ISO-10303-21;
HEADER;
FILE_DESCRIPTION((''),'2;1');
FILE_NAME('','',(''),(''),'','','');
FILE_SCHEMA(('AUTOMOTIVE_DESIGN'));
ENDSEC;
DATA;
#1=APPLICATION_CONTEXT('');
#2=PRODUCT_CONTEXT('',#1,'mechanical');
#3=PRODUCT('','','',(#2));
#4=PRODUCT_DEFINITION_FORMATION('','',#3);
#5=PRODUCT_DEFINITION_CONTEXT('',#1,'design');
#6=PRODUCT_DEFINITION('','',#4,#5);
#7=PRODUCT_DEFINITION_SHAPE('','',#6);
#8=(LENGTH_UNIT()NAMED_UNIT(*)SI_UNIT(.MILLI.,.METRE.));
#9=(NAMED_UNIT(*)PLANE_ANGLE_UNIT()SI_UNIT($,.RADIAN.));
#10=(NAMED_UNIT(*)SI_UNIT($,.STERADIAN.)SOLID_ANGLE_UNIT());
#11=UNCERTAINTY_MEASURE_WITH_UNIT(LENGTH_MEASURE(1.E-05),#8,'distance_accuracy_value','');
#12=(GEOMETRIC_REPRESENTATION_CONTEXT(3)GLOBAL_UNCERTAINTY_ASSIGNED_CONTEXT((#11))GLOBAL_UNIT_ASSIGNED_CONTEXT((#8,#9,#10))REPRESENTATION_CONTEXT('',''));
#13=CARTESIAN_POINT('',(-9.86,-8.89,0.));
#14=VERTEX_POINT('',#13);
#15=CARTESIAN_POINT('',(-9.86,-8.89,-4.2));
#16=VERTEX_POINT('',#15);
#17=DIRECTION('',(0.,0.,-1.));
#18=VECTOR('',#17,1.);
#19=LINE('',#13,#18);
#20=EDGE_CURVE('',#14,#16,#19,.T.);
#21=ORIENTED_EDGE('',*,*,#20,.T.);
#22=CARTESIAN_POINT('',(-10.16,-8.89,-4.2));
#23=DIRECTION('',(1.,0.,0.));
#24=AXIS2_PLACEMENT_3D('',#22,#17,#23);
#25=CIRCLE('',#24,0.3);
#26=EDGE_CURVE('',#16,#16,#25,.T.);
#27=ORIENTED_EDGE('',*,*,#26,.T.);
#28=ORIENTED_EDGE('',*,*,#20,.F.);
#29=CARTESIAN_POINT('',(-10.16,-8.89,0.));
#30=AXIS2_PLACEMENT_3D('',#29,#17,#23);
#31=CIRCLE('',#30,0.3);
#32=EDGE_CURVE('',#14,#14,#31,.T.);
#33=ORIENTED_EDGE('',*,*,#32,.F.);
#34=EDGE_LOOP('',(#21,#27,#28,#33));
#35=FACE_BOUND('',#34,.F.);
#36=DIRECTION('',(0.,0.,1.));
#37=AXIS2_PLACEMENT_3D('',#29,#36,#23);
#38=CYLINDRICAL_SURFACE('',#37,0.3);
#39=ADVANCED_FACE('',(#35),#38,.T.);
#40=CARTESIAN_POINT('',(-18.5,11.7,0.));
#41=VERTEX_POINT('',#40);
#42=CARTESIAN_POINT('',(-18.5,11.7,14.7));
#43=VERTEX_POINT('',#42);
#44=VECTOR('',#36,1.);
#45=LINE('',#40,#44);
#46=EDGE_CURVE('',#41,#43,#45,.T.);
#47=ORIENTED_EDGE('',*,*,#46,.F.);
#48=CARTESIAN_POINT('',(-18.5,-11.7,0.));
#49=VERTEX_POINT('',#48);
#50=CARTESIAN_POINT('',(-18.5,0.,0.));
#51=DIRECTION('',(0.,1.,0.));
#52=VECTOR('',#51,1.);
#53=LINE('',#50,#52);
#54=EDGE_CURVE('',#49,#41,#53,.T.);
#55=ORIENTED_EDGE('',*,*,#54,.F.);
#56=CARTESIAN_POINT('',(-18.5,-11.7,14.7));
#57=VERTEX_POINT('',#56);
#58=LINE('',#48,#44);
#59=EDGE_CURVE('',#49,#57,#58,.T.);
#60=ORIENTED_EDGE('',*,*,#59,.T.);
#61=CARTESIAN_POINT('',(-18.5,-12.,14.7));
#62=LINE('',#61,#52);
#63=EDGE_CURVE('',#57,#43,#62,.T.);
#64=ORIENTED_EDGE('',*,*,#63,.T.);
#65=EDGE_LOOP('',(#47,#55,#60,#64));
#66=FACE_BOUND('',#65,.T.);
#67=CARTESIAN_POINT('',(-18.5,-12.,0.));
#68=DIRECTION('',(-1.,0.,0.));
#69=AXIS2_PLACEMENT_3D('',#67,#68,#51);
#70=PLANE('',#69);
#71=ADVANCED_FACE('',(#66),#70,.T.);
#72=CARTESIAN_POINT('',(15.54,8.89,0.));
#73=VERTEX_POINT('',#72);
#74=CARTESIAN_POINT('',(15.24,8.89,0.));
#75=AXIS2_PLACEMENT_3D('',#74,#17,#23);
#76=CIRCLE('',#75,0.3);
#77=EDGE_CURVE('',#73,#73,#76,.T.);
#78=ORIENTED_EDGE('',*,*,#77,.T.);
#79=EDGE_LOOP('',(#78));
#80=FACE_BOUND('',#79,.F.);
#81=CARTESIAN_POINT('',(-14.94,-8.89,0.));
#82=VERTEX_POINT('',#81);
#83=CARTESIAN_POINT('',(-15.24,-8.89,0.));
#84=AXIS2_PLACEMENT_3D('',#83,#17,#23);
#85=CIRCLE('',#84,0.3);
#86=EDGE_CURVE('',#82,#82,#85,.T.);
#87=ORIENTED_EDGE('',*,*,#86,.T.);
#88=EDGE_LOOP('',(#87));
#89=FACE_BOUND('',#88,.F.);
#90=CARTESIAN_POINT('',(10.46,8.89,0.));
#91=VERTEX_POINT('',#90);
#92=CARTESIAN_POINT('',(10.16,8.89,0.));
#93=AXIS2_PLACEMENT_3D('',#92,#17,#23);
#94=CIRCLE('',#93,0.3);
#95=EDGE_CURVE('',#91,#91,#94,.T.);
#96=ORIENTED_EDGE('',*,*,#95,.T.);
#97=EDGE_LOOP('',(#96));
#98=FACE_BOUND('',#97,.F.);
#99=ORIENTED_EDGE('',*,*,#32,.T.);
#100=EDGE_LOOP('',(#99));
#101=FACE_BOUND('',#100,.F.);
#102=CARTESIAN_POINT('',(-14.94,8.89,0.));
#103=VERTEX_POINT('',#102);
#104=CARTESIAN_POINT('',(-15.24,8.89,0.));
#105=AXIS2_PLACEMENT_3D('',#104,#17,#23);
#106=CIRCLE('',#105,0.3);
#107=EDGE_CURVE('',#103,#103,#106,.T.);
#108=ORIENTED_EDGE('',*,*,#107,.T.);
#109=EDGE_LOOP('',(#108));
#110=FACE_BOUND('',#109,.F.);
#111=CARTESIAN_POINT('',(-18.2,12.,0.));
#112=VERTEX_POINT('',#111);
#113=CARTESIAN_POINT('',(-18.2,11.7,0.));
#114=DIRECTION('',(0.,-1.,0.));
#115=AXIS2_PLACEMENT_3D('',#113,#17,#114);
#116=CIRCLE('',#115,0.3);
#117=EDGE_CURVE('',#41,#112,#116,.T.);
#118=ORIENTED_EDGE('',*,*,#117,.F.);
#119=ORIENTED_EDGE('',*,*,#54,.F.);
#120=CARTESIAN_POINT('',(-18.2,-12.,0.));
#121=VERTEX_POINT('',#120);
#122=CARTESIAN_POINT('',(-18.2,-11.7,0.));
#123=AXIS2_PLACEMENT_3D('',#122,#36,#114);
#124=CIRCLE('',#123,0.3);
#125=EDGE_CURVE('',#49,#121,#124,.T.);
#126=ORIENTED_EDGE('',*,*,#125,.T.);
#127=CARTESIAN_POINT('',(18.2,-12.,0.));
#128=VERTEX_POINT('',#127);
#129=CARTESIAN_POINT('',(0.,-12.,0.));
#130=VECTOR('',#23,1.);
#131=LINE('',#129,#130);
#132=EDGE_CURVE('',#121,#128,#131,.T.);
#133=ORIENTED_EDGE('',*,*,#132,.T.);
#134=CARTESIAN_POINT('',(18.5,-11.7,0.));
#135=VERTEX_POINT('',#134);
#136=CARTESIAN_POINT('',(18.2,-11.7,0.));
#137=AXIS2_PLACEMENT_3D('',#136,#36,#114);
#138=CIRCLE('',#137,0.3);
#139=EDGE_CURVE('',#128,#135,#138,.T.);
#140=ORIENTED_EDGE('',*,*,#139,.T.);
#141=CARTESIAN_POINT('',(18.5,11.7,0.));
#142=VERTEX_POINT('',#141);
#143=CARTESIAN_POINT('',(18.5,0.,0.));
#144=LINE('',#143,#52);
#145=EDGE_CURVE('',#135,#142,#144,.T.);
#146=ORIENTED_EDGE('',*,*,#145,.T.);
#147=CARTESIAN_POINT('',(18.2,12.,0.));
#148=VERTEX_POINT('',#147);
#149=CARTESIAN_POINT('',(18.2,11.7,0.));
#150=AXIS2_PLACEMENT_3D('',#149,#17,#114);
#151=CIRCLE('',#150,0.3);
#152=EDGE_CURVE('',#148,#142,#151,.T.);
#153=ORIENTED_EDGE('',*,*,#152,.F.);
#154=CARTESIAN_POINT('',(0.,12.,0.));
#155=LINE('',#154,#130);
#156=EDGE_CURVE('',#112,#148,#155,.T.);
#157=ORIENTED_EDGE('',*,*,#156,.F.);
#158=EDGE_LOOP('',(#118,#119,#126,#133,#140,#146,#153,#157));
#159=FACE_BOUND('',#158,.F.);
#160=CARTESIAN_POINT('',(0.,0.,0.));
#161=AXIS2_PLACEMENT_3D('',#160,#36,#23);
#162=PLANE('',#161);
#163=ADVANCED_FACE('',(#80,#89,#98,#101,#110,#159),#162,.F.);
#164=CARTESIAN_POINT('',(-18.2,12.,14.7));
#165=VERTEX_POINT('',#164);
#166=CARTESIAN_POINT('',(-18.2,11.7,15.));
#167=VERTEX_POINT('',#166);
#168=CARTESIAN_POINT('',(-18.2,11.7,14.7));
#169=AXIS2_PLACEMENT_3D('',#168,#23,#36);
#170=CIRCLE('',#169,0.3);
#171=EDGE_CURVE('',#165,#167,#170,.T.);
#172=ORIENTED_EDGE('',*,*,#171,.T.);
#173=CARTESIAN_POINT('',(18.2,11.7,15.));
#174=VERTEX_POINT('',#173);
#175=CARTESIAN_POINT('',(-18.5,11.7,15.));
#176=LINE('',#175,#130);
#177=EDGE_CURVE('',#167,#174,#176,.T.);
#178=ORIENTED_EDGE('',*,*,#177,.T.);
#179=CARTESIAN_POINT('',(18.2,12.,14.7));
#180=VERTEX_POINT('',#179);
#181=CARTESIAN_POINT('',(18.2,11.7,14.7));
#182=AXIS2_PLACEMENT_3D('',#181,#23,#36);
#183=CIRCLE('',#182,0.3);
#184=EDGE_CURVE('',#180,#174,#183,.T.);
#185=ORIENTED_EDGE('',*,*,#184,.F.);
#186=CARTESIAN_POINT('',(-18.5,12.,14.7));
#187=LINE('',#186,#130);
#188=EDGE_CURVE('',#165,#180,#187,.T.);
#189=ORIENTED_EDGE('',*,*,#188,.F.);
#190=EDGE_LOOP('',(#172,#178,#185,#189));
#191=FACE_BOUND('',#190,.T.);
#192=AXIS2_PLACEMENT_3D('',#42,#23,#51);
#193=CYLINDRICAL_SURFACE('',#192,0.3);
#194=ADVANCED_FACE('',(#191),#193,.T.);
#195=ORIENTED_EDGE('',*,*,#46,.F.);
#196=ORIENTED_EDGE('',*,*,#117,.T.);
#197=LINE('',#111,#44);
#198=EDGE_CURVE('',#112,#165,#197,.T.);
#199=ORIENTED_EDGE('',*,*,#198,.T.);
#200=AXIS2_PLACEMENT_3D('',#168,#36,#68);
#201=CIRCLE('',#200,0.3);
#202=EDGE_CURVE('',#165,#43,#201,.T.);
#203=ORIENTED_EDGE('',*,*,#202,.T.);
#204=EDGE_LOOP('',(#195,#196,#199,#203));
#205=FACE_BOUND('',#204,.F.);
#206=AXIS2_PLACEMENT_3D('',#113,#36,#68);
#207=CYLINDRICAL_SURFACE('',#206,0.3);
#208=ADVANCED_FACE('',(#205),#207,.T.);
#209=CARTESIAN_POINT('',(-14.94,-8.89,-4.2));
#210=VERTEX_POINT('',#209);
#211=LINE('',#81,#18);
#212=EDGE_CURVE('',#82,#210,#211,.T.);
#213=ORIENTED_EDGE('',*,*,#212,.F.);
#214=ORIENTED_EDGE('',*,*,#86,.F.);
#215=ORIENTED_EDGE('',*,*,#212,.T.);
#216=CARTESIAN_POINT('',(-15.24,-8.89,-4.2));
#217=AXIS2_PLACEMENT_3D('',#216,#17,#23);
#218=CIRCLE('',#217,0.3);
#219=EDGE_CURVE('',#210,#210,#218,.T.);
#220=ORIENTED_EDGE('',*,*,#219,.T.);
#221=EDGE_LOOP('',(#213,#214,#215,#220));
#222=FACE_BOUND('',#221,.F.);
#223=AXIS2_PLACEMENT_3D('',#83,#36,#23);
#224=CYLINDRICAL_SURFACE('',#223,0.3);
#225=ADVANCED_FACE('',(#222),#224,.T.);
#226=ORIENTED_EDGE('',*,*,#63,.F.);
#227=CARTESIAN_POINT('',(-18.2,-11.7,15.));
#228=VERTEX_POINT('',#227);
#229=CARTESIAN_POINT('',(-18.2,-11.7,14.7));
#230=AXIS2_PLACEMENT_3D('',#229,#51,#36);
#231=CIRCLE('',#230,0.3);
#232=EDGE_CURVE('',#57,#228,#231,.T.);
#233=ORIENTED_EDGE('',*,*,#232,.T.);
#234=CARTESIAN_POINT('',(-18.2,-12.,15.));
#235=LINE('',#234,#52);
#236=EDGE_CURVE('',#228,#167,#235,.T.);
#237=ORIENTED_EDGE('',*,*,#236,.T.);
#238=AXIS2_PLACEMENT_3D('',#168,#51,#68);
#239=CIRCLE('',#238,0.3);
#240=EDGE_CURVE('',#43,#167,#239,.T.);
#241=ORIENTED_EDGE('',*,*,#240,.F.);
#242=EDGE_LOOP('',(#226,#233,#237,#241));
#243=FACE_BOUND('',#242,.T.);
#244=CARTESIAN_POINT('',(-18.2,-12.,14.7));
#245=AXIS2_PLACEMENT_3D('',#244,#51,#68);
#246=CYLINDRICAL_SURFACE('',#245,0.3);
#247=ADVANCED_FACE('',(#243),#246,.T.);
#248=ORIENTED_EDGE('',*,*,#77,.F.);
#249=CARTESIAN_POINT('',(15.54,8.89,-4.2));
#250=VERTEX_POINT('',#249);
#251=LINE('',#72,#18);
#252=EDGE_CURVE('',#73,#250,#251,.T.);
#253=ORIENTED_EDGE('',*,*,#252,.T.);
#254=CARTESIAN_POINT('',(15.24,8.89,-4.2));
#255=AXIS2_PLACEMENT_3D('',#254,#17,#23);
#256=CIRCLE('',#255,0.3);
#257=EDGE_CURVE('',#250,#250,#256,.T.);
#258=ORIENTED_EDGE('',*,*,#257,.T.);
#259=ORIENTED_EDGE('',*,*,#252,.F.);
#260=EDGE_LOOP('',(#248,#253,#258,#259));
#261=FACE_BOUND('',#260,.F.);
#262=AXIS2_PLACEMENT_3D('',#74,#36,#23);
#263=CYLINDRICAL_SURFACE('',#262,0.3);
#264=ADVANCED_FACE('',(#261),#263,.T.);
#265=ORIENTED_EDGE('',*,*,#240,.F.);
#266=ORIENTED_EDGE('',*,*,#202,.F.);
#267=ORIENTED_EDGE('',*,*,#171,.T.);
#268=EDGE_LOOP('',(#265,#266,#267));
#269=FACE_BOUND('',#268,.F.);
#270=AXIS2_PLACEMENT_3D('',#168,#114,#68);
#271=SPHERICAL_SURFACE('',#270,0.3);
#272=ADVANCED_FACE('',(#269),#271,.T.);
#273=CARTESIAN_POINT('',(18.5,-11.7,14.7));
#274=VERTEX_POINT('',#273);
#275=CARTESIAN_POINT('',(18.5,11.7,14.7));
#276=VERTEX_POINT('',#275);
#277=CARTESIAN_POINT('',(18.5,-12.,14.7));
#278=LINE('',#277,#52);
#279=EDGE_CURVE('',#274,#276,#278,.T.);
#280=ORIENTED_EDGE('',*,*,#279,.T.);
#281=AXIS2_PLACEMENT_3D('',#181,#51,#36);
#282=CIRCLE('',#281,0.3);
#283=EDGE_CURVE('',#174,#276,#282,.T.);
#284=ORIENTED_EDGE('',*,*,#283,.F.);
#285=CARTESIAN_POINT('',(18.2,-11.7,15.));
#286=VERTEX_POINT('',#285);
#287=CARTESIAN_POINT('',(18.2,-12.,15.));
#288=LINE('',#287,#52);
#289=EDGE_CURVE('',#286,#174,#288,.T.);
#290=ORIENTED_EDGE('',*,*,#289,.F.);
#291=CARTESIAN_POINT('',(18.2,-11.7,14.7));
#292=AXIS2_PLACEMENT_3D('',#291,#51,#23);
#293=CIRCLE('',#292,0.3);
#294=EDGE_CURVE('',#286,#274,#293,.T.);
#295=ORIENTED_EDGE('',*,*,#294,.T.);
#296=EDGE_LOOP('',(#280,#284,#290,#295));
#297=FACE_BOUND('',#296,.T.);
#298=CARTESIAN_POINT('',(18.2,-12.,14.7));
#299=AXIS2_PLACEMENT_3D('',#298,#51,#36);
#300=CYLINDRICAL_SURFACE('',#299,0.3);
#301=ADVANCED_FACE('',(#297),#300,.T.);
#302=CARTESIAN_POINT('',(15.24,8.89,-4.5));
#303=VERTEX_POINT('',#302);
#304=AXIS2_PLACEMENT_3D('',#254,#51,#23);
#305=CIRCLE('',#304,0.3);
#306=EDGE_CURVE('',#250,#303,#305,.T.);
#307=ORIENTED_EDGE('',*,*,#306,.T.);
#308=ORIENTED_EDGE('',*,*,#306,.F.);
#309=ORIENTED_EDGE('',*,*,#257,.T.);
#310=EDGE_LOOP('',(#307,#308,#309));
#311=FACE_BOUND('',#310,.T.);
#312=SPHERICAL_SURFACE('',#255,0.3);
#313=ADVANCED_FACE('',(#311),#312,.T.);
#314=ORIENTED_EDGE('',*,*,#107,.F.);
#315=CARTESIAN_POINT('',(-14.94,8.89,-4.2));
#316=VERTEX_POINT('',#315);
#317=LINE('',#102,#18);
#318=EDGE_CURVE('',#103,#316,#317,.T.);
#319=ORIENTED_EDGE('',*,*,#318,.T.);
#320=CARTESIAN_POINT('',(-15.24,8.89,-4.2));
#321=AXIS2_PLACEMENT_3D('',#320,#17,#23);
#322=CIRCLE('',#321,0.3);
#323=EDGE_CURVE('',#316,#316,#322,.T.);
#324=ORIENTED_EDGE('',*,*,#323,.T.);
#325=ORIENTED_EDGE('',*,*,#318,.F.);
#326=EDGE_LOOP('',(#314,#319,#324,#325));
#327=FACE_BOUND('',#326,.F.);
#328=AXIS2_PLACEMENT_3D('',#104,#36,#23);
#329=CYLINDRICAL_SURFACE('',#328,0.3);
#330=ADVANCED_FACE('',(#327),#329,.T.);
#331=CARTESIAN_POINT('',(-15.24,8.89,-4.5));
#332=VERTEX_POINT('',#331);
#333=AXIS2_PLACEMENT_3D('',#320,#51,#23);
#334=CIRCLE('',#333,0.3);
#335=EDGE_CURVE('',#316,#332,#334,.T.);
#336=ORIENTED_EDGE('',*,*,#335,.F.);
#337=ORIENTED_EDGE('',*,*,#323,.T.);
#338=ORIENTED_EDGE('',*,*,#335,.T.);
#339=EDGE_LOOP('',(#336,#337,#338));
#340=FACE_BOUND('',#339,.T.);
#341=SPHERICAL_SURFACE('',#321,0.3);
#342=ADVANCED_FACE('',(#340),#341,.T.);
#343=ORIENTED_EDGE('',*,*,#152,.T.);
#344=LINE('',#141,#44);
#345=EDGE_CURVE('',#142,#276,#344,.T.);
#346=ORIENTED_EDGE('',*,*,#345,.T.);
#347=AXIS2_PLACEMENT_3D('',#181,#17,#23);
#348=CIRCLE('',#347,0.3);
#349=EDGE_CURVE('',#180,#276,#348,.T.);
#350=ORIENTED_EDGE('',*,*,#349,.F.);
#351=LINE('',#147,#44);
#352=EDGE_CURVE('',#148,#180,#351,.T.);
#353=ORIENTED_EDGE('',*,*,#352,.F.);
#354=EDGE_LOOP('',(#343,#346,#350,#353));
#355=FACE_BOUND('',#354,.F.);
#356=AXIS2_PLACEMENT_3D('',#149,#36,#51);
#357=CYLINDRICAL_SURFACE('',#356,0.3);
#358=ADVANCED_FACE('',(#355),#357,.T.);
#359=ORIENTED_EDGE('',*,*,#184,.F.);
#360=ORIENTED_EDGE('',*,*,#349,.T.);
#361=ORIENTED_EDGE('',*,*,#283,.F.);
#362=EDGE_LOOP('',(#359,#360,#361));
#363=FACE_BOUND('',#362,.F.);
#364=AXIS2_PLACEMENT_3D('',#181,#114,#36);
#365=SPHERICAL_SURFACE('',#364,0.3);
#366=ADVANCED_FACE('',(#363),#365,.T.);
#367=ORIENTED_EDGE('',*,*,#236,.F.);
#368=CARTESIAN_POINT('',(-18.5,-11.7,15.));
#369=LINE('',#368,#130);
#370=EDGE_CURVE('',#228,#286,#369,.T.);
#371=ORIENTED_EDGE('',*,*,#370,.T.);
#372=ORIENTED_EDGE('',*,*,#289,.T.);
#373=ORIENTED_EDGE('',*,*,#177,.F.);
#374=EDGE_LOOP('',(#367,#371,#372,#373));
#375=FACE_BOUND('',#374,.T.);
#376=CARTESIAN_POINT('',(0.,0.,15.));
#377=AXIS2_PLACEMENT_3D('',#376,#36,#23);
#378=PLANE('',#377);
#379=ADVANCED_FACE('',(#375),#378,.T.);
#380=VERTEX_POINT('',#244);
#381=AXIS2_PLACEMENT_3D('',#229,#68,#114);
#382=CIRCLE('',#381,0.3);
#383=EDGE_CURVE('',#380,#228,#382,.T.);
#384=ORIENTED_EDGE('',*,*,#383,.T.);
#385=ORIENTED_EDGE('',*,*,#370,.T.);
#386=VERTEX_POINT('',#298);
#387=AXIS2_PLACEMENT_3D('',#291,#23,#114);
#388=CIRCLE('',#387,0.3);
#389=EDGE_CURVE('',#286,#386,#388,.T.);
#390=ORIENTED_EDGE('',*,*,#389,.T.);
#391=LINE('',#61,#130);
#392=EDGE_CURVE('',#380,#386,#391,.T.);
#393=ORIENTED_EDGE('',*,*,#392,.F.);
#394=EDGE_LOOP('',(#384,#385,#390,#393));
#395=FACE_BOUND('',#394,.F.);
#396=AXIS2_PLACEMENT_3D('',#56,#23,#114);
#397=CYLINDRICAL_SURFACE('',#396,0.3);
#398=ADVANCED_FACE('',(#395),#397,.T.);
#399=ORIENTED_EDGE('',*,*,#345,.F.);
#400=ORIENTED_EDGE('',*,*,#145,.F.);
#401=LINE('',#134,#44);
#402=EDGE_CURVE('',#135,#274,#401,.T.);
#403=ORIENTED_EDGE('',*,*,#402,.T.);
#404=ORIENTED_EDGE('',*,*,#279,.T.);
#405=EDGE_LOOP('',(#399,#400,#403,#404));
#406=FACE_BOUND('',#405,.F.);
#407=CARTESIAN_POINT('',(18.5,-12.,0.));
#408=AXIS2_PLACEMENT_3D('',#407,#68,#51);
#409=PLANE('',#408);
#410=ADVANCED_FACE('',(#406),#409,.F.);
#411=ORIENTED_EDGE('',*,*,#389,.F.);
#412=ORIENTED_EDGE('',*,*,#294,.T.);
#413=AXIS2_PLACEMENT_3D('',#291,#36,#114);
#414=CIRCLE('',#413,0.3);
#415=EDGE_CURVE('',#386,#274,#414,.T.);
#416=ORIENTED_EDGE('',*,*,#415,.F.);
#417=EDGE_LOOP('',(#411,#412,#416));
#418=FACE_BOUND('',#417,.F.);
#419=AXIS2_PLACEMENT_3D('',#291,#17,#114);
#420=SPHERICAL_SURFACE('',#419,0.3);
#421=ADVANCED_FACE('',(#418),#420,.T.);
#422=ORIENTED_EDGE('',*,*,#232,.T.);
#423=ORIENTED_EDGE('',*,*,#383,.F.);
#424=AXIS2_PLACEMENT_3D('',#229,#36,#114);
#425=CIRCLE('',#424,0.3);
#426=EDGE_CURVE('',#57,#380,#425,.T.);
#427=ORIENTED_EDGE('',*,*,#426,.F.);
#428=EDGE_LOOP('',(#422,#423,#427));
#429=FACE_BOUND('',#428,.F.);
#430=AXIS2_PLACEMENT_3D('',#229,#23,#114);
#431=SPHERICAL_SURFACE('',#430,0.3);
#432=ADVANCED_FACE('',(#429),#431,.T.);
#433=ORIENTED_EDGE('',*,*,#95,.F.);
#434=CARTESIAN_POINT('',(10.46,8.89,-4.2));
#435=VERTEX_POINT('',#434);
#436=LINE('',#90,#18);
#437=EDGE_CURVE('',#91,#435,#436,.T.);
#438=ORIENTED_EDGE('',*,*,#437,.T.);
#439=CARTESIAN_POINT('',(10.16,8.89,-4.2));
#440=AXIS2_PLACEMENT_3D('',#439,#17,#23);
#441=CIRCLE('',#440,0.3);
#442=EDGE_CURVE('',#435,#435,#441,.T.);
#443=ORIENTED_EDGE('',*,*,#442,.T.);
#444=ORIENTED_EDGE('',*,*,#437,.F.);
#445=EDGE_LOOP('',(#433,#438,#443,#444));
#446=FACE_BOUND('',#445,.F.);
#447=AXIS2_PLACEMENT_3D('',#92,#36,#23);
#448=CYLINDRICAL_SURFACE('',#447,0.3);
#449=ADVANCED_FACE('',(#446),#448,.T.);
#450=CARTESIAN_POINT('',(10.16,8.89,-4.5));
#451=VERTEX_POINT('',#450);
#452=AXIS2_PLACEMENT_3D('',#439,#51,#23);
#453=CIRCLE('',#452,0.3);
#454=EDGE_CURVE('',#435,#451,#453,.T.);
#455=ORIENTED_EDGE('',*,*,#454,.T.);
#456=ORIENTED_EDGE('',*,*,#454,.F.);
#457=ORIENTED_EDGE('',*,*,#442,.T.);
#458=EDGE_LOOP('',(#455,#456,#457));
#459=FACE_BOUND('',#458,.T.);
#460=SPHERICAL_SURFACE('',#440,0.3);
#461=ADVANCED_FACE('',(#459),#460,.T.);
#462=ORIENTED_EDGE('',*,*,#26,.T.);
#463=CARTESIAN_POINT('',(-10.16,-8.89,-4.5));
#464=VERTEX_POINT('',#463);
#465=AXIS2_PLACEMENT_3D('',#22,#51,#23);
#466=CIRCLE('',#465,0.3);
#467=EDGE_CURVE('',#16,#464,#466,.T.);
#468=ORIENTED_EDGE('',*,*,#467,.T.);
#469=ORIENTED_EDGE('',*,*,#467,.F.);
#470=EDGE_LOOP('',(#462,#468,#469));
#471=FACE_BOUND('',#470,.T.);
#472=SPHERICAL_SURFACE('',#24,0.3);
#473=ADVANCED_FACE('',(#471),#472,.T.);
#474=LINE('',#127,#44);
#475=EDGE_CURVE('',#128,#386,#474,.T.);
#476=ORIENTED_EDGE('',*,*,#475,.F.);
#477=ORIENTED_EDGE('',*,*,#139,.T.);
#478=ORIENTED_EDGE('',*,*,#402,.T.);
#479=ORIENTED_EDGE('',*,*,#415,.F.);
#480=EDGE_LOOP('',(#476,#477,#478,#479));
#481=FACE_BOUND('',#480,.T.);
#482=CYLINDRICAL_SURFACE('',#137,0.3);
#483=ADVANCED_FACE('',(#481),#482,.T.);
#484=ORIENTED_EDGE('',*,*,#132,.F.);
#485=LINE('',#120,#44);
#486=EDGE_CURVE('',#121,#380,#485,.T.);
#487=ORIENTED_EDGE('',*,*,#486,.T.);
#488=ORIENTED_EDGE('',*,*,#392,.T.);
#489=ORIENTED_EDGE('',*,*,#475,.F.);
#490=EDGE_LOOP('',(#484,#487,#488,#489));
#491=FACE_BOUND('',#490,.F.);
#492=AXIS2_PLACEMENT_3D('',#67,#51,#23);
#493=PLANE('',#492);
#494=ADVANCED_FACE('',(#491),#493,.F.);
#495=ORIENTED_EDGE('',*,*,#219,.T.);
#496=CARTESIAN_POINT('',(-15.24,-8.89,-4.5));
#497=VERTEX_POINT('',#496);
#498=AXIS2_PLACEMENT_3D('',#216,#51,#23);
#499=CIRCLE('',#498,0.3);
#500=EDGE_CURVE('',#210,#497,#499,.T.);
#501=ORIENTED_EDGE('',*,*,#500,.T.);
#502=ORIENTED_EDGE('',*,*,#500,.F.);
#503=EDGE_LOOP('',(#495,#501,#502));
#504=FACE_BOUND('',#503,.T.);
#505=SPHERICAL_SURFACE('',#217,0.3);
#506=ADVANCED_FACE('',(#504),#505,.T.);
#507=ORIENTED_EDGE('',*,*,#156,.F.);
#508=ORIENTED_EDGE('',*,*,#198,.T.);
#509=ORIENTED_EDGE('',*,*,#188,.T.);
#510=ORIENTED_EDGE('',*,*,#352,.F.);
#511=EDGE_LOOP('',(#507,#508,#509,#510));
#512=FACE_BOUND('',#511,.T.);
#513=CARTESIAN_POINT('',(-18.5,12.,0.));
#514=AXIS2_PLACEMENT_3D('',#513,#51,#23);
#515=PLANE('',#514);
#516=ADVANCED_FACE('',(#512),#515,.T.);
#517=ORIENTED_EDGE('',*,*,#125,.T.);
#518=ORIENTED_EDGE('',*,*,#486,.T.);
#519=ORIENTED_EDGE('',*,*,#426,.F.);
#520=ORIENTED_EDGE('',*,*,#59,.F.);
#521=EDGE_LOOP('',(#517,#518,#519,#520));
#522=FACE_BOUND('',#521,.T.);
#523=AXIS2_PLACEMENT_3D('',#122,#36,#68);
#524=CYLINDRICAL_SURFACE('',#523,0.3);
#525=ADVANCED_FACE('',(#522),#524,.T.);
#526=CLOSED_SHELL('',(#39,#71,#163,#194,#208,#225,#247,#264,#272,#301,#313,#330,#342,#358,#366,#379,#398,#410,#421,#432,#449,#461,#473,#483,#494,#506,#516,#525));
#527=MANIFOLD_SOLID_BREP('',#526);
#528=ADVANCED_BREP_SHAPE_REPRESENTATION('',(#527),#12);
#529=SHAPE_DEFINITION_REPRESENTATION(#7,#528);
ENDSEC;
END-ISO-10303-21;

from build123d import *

# Parameters (mm, degrees)
SKETCH_W     = 37
SKETCH_H     = 24
PAD_DEPTH    = 15
SKETCH002_R  = 0.3
PAD001_DEPTH = 4.5
FILLET_R     = 0.3
FILLET001_R  = 0.3


with BuildPart() as part:
    # Sketch → Pad (new body)
    with BuildSketch(Plane.XY):
        Rectangle(SKETCH_W, SKETCH_H)
    extrude(amount=PAD_DEPTH)

    # Sketch002 (on Face5 of Pad) → Pad001 (join)
    with BuildSketch(Plane(origin=(0, 0, 0), x_dir=(1, 0, 0), z_dir=(0, 0, -1))):
        with Locations((-15.24, 8.89)):
            Circle(SKETCH002_R)
        with Locations((-10.16, 8.89)):
            Circle(SKETCH002_R)
        with Locations((10.16, -8.89)):
            Circle(SKETCH002_R)
        with Locations((15.24, -8.89)):
            Circle(SKETCH002_R)
        with Locations((-15.24, -8.89)):
            Circle(SKETCH002_R)
    extrude(amount=PAD001_DEPTH)

    # Fillet
    fillet_edges = [part.edges().sort_by_distance(p)[0] for p in [
        (18.5, -12, 7.5),
        (0, -12, 15),
        (-18.5, -12, 7.5),
        (-18.5, 0, 15),
        (-18.5, 12, 7.5),
        (18.5, 0, 15),
        (0, 12, 15),
        (18.5, 12, 7.5),
    ]]
    fillet(fillet_edges, radius=FILLET_R)

    # Fillet001
    fillet001_edges = [part.edges().sort_by_distance(p)[0] for p in [
        (14.94, 8.89, -4.5),
        (9.86, 8.89, -4.5),
        (-15.54, 8.89, -4.5),
        (-15.54, -8.89, -4.5),
        (-10.46, -8.89, -4.5),
    ]]
    fillet(fillet001_edges, radius=FILLET001_R)


solid = part.part
